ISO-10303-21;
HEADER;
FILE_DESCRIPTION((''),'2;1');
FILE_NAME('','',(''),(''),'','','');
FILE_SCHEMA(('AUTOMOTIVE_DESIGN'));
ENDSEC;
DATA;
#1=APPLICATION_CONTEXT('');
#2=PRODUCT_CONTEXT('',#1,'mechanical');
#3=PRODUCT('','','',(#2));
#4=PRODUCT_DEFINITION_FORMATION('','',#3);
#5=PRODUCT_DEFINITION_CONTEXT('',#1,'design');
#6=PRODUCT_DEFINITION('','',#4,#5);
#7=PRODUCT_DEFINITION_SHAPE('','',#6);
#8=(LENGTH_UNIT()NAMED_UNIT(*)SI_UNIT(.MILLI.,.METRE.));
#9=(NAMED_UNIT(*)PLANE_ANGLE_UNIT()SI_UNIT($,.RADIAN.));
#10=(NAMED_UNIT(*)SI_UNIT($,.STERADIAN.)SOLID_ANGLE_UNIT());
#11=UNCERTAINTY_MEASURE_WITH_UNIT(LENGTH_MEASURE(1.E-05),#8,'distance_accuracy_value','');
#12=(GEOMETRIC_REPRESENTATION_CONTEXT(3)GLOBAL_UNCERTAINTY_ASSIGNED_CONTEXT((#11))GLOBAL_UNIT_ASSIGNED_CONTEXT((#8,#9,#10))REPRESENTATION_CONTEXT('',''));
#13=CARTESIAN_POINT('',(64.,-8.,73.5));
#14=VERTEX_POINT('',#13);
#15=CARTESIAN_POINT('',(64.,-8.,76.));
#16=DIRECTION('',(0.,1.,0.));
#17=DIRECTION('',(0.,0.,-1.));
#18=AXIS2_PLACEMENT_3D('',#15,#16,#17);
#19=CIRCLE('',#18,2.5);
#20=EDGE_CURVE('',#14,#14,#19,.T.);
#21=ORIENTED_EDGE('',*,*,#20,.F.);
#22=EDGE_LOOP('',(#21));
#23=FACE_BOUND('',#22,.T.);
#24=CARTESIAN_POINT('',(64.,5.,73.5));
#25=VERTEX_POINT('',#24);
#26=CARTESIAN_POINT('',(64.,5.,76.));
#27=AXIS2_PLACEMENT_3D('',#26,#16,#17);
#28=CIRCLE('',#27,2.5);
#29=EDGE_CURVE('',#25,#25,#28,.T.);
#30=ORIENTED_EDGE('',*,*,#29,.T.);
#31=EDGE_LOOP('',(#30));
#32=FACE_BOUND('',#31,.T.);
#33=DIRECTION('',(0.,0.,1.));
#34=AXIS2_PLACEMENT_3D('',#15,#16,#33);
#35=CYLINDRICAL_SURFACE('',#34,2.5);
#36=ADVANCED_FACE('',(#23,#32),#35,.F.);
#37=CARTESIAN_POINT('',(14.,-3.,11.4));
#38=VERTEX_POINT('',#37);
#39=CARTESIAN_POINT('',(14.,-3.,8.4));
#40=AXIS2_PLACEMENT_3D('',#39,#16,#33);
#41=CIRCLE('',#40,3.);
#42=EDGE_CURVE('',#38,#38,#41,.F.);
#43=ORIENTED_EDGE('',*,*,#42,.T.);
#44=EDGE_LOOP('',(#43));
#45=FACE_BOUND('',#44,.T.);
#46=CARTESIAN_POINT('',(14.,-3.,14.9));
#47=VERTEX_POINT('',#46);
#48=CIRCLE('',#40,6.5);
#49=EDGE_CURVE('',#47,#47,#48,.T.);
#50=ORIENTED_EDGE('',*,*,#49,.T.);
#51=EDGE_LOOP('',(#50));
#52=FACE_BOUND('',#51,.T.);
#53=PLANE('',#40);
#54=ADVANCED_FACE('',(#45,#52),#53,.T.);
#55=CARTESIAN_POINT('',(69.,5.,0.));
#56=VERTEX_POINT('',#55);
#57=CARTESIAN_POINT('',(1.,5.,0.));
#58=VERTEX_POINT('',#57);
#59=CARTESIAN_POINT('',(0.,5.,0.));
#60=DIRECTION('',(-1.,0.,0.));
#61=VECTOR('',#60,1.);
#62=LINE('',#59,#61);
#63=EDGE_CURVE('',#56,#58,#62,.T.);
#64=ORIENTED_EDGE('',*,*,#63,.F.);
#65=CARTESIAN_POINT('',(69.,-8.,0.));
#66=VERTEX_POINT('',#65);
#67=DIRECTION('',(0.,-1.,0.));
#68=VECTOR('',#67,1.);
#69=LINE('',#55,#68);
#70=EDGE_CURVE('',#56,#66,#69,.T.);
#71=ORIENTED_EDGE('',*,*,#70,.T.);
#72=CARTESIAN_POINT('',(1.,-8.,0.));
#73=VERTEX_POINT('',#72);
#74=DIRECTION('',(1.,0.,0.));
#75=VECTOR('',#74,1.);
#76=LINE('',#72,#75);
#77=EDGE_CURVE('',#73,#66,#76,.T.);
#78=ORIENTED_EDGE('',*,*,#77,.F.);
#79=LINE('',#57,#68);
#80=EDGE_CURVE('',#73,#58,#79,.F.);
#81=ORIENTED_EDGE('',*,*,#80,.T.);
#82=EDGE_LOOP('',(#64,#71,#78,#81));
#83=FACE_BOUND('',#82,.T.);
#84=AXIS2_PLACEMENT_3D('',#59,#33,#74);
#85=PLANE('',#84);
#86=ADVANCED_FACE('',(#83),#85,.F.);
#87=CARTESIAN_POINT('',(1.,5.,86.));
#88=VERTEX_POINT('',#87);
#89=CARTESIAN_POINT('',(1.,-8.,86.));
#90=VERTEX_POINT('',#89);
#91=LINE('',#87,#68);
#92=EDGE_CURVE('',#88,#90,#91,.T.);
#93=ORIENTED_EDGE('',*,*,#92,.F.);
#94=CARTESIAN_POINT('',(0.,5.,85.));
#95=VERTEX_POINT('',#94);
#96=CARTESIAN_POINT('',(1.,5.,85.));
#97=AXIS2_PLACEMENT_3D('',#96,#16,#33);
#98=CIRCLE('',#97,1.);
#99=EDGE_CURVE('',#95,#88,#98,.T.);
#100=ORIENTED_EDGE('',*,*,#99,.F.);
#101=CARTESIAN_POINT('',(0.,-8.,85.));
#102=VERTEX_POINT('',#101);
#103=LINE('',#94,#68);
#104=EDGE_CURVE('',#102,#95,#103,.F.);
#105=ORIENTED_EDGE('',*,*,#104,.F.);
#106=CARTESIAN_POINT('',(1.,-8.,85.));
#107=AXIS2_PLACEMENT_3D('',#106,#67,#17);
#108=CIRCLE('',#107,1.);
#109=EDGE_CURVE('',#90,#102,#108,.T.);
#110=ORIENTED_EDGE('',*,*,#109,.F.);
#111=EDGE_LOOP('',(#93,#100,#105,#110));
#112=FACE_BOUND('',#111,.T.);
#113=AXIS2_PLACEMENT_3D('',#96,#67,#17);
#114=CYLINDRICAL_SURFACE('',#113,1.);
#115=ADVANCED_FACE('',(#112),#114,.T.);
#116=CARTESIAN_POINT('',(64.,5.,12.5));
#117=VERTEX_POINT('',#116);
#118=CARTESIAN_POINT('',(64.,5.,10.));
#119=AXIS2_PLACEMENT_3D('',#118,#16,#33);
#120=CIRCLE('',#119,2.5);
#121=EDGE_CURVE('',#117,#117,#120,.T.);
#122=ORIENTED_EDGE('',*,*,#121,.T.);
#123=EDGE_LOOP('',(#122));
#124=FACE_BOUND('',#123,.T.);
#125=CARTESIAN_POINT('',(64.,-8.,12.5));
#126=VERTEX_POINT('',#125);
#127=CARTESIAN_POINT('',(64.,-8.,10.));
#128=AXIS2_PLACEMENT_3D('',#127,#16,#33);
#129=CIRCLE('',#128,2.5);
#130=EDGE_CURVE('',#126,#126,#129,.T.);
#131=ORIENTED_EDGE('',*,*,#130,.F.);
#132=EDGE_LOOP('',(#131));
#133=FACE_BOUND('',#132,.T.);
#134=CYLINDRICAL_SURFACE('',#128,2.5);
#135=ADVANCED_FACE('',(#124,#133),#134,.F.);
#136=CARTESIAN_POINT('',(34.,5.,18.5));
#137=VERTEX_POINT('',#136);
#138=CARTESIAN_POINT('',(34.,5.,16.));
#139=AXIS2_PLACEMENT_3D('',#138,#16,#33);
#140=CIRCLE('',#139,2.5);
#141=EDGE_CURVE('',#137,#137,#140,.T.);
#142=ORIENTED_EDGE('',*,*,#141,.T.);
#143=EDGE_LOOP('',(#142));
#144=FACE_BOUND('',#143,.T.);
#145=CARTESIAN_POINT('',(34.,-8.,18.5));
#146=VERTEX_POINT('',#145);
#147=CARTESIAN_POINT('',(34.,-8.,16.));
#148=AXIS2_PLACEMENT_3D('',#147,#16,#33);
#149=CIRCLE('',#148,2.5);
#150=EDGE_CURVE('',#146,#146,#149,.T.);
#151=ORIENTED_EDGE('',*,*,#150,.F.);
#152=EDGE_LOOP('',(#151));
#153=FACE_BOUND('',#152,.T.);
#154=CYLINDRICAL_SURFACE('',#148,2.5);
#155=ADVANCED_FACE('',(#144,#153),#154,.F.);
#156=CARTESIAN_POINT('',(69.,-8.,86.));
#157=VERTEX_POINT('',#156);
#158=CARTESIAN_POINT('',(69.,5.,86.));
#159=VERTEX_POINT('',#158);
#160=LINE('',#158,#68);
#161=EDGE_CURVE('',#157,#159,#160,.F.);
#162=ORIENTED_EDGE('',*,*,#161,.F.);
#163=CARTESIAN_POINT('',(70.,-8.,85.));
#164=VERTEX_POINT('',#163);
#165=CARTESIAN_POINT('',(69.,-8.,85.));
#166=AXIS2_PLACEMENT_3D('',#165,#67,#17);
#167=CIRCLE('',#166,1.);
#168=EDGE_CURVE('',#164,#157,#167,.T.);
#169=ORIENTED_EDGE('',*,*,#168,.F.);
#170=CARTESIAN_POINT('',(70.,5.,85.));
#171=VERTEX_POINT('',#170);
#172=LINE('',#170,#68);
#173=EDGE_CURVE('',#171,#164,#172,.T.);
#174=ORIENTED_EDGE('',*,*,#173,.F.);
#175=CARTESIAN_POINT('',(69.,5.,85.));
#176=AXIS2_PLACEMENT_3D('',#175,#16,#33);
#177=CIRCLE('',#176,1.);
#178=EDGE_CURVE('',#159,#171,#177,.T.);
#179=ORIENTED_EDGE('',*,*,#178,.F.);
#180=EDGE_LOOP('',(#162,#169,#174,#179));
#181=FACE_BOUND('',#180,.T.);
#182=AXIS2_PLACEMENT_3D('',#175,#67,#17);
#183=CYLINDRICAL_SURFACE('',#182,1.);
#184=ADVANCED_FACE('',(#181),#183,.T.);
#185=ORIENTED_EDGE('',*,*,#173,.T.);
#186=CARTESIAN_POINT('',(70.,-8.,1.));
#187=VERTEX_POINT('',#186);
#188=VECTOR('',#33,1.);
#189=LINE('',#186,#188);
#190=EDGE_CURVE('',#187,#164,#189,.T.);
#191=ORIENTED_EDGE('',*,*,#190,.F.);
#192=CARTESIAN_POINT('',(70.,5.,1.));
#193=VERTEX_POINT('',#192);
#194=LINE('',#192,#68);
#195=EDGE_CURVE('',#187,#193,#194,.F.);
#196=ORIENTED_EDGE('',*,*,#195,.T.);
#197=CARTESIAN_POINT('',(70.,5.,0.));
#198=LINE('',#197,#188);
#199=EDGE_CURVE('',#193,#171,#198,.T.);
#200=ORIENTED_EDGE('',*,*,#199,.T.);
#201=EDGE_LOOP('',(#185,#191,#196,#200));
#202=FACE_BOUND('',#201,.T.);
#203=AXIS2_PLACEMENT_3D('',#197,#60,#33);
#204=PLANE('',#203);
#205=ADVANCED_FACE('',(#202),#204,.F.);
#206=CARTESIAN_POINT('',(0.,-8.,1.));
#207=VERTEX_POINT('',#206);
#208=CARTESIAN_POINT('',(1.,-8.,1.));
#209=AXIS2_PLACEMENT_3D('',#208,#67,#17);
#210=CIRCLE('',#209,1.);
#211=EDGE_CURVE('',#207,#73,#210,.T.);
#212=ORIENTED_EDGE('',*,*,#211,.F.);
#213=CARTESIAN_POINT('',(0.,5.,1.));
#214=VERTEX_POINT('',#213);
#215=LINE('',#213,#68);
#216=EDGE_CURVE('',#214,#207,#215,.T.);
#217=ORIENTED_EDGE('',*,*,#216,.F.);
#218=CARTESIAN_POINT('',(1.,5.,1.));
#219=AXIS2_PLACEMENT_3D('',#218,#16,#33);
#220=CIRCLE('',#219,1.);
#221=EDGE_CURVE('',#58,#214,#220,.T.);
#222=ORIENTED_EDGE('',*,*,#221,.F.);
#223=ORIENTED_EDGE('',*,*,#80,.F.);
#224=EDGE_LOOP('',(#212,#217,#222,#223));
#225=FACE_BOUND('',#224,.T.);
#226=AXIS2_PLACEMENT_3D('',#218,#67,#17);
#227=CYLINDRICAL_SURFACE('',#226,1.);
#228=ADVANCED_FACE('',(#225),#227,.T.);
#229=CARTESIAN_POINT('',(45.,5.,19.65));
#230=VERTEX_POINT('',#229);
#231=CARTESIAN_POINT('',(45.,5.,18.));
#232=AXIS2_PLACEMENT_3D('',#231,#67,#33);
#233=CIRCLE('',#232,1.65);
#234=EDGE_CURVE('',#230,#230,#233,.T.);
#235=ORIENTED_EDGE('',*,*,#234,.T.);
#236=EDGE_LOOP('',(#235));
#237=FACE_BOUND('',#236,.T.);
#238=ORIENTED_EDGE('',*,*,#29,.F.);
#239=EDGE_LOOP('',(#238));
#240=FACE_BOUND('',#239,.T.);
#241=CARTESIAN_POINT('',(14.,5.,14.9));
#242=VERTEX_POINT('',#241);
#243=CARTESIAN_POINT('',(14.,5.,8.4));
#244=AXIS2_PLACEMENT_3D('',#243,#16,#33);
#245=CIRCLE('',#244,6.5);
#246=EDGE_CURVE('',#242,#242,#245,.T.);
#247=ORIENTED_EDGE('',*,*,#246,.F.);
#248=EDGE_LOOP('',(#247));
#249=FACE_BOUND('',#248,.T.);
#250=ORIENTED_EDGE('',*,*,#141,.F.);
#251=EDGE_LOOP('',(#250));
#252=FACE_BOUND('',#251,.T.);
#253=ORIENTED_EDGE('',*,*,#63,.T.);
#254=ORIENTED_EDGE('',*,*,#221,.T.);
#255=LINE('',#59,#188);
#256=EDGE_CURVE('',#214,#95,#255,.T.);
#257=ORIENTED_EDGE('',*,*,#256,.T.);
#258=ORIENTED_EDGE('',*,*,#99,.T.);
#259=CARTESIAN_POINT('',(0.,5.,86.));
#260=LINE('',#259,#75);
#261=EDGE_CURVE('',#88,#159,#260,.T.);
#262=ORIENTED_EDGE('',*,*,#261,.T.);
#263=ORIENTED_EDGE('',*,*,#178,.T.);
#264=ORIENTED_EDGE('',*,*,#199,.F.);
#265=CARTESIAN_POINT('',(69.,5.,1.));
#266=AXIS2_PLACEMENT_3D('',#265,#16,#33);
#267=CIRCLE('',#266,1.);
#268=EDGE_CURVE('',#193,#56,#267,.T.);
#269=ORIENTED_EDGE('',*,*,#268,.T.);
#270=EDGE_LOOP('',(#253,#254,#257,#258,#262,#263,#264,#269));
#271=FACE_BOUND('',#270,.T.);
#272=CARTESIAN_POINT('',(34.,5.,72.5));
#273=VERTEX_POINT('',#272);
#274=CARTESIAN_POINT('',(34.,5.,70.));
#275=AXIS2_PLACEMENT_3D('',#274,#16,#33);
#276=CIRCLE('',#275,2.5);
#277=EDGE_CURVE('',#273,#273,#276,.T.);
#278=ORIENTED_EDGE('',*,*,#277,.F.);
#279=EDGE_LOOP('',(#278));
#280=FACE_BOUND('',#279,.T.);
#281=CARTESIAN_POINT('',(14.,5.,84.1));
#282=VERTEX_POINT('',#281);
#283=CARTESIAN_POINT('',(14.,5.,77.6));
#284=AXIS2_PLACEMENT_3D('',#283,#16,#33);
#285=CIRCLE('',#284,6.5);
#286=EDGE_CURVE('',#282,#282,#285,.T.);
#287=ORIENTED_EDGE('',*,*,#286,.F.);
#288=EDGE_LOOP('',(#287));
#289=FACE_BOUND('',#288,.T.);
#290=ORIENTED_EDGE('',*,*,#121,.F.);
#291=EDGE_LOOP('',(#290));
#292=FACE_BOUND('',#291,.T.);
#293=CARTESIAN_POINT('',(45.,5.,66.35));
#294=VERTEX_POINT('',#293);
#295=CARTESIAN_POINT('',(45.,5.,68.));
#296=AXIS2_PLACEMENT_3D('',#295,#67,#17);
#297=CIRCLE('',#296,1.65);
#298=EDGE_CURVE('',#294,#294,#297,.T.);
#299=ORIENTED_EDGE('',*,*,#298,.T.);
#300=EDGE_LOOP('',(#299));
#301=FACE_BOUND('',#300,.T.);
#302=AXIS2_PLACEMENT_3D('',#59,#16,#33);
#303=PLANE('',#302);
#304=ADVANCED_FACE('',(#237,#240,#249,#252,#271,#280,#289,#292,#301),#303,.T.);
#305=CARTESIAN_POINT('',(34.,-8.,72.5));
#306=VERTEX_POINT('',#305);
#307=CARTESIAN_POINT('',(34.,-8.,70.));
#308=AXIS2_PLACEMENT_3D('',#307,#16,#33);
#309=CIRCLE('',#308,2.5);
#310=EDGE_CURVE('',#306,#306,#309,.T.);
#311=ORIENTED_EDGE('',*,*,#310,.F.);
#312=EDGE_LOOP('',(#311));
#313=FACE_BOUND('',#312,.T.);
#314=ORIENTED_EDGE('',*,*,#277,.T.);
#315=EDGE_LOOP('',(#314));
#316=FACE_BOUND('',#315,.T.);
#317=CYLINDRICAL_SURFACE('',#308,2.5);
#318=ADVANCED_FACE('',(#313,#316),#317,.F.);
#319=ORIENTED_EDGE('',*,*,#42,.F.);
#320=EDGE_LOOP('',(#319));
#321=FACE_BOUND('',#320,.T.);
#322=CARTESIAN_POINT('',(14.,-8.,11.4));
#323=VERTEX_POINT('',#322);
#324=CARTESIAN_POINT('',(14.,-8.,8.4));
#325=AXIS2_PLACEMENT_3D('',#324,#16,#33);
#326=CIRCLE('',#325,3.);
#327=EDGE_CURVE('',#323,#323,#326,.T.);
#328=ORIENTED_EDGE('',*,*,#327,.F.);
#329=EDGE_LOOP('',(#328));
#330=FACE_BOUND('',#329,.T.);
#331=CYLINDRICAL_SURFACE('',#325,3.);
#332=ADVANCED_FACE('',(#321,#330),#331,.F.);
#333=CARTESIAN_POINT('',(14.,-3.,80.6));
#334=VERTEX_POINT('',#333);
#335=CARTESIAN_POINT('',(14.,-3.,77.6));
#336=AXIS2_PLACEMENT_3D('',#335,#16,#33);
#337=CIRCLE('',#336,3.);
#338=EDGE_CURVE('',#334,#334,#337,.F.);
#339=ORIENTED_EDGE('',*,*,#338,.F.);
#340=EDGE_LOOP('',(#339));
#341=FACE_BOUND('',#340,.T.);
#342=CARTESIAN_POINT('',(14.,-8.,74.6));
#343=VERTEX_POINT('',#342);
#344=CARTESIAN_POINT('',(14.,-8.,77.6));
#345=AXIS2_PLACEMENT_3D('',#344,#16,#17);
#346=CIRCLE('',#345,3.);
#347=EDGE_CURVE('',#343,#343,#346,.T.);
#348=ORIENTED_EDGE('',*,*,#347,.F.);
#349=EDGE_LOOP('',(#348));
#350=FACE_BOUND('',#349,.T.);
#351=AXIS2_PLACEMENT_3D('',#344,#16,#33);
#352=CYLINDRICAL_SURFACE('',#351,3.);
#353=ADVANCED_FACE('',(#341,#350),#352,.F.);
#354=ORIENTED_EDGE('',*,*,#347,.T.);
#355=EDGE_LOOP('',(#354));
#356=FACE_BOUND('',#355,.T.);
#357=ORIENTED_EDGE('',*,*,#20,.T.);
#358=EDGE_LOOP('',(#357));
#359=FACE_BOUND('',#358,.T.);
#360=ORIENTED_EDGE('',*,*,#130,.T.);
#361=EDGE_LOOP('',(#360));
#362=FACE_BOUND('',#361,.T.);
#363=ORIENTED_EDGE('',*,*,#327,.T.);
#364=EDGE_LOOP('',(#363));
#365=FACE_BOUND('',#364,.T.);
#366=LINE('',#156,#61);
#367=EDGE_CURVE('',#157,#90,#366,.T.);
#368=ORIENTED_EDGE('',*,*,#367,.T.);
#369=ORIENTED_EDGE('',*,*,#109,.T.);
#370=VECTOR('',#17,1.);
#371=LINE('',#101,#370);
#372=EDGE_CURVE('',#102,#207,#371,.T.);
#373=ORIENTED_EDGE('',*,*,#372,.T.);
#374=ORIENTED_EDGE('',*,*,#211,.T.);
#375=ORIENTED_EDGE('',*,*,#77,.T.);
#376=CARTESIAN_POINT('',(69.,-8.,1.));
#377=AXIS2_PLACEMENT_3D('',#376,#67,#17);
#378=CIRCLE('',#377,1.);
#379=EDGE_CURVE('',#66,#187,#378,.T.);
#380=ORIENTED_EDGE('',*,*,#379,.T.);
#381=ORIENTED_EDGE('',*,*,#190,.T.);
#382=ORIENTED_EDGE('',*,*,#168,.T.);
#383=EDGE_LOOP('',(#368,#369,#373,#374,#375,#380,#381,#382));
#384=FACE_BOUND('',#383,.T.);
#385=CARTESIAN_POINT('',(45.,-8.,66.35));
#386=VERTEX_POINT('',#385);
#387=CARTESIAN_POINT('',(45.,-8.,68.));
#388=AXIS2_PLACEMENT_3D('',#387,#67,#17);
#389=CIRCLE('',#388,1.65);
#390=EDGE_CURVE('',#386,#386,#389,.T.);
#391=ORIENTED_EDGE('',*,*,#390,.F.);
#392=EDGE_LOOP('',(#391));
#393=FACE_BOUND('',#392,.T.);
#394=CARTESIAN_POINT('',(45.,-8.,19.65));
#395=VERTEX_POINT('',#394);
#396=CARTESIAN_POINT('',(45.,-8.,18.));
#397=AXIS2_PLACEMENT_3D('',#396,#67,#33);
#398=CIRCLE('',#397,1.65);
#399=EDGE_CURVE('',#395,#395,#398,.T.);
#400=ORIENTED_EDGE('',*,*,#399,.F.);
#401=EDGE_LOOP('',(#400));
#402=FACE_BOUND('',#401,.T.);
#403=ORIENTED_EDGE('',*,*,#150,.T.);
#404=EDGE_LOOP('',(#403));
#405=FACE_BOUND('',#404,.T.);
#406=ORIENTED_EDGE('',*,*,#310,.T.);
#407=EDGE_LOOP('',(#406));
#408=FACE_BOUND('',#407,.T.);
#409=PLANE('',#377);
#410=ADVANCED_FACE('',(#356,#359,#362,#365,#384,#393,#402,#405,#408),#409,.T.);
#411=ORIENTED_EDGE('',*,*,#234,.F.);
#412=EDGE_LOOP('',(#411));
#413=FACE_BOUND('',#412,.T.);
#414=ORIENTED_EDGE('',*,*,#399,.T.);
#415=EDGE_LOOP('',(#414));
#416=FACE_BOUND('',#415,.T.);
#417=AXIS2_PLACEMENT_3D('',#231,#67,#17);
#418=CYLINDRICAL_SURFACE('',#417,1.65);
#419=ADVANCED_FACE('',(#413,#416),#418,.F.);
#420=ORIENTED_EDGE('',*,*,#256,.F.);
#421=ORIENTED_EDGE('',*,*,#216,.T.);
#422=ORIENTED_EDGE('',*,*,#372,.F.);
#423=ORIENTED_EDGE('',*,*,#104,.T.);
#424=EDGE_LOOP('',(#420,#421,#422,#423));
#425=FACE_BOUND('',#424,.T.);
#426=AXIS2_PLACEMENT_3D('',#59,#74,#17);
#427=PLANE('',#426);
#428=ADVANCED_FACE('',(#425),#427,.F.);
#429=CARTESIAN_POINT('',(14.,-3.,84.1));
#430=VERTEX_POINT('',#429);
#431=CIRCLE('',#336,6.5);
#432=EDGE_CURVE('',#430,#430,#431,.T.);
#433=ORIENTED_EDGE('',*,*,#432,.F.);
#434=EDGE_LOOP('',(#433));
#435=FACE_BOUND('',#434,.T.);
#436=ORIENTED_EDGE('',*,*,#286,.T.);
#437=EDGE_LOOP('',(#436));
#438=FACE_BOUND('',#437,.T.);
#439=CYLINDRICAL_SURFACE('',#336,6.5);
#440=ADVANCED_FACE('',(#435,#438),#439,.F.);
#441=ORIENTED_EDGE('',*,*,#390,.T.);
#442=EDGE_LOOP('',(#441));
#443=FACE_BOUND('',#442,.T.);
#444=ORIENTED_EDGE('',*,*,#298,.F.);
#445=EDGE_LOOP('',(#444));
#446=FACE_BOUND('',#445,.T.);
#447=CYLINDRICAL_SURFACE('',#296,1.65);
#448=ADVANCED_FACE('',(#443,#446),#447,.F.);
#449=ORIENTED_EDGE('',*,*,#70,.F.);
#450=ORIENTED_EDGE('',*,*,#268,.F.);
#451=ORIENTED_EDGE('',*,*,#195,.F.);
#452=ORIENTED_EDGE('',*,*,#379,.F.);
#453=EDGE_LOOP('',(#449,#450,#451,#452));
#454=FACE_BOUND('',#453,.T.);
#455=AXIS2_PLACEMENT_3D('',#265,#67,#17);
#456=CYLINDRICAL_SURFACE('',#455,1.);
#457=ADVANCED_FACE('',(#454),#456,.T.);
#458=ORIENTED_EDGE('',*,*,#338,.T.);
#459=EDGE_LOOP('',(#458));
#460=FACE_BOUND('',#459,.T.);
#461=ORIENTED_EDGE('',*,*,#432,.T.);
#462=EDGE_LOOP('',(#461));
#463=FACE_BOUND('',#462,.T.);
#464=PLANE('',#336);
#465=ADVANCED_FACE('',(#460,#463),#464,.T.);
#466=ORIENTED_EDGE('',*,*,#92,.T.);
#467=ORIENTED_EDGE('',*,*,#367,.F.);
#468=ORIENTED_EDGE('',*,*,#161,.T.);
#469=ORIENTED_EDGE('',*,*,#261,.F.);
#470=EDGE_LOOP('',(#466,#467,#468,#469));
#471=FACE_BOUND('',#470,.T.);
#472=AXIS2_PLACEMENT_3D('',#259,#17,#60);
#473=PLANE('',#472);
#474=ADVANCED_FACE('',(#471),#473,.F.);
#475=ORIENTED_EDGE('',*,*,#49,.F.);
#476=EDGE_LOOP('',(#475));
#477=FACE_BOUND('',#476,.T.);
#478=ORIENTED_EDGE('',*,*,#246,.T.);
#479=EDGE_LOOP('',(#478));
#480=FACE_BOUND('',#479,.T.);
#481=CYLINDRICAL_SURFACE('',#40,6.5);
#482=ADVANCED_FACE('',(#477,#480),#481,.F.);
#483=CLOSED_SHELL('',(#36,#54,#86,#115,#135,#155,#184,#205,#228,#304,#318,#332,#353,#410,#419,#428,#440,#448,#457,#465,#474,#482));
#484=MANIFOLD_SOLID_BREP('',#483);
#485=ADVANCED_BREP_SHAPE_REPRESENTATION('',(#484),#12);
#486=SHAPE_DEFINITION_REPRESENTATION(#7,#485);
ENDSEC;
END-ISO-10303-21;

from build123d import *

# Parameters (mm, degrees)
SKETCH1_W               = 70
SKETCH1_H               = 86
BOSS_EXTRUDE1_DEPTH     = 5
SKETCH2_W               = 12
SKETCH2_H               = 86
BOSS_EXTRUDE2_DEPTH     = 87
SKETCH4_R               = 38
CUT_EXTRUDE2_DEPTH      = 3
SKETCH5_R               = 2.6
CUT_EXTRUDE3_DEPTH      = 13
FILLET1_R               = 3
SKETCH6_R               = 20
CUT_EXTRUDE4_DEPTH      = 13
SKETCH7_W               = 12
SKETCH7_H               = 87
CUT_EXTRUDE5_DEPTH      = 87
FILLET2_R               = 1
BOSS_EXTRUDE4_DEPTH     = 8
SKETCH3_R               = 3
CUT_EXTRUDE1_DEPTH      = 14
SKETCH8_R               = 1.65
CUT_EXTRUDE6_DEPTH      = 9
CUT_EXTRUDE6_DEPTH_BACK = 6
SKETCH9_R               = 2.5
CUT_EXTRUDE7_DEPTH      = 14
SKETCH14_R              = 6.5
CUT_EXTRUDE8_DEPTH      = 8


with BuildPart() as part:
    # Sketch1 → Boss-Extrude1 (new body)
    with BuildSketch(Plane(origin=(0, 0, 0), x_dir=(1, 0, 0), z_dir=(0, 1, 0))):
        with Locations((35, -43)):
            Rectangle(SKETCH1_W, SKETCH1_H)
    extrude(amount=BOSS_EXTRUDE1_DEPTH)

    # Sketch2 → Boss-Extrude2 (add)
    with BuildSketch(Plane(origin=(0, 5, 0), x_dir=(1, 0, 0), z_dir=(0, 1, 0))):
        with Locations((64, -43)):
            Rectangle(SKETCH2_W, SKETCH2_H)
    extrude(amount=BOSS_EXTRUDE2_DEPTH)

    # Sketch4 → Cut-Extrude2 (cut)
    with BuildSketch(Plane.ZY.offset(-58)):
        with Locations((43, 56)):
            Circle(SKETCH4_R)
    extrude(amount=-CUT_EXTRUDE2_DEPTH, mode=Mode.SUBTRACT)

    # Sketch5 → Cut-Extrude3 (cut, through all)
    with BuildSketch(Plane.ZY.offset(-58)):
        with Locations((77.8, 90.8)):
            Circle(SKETCH5_R)
        with Locations((77.8, 21.2)):
            Circle(SKETCH5_R)
        with Locations((8.2, 90.8)):
            Circle(SKETCH5_R)
        with Locations((8.2, 21.2)):
            Circle(SKETCH5_R)
    extrude(amount=-CUT_EXTRUDE3_DEPTH, mode=Mode.SUBTRACT)

    # Fillet1
    fillet1_edges = [part.edges().sort_by_distance(p)[0] for p in [
        (64, 92, 0),
        (64, 92, 86),
    ]]
    fillet(fillet1_edges, radius=FILLET1_R)

    # Sketch6 → Cut-Extrude4 (cut, through all)
    with BuildSketch(Plane.ZY.offset(-58)):
        with Locations((43, 56)):
            Circle(SKETCH6_R)
    extrude(amount=-CUT_EXTRUDE4_DEPTH, mode=Mode.SUBTRACT)

    # Sketch7 → Cut-Extrude5 (cut, through all)
    with BuildSketch(Plane.XY.offset(86)):
        with Locations((64, 48.5)):
            Rectangle(SKETCH7_W, SKETCH7_H)
    extrude(amount=-CUT_EXTRUDE5_DEPTH, mode=Mode.SUBTRACT)

    # Fillet2
    fillet2_edges = [part.edges().sort_by_distance(p)[0] for p in [
        (0, 2.5, 0),
        (0, 2.5, 86),
        (70, 2.5, 0),
        (70, 2.5, 86),
    ]]
    fillet(fillet2_edges, radius=FILLET2_R)

    # Sketch12 → Boss-Extrude4 (add)
    with BuildSketch(Plane.XZ):
        with BuildLine():
            Line((70, 1), (70, 85))
            ThreePointArc((70, 85), (69.707106781, 85.707106781), (69, 86))
            Line((69, 86), (1, 86))
            ThreePointArc((1, 86), (0.292893219, 85.707106781), (0, 85))
            Line((0, 85), (0, 1))
            ThreePointArc((0, 1), (0.292893219, 0.292893219), (1, 0))
            Line((1, 0), (69, 0))
            ThreePointArc((69, 0), (69.707106781, 0.292893219), (70, 1))
        make_face()
    extrude(amount=BOSS_EXTRUDE4_DEPTH)

    # Sketch3 → Cut-Extrude1 (cut, through all)
    with BuildSketch(Plane(origin=(0, 5, 0), x_dir=(1, 0, 0), z_dir=(0, 1, 0))):
        with Locations((14, -8.4)):
            Circle(SKETCH3_R)
        with Locations((14, -77.6)):
            Circle(SKETCH3_R)
    extrude(amount=-CUT_EXTRUDE1_DEPTH, mode=Mode.SUBTRACT)

    # Sketch8 → Cut-Extrude6 (cut, two sides)
    with BuildSketch(Plane.XZ) as cut_extrude6_sk:
        with Locations((45, 68)):
            Circle(SKETCH8_R)
        with Locations((45, 18)):
            Circle(SKETCH8_R)
    extrude(amount=CUT_EXTRUDE6_DEPTH, mode=Mode.SUBTRACT)
    extrude(cut_extrude6_sk.sketch, amount=-CUT_EXTRUDE6_DEPTH_BACK, mode=Mode.SUBTRACT)

    # Sketch9 → Cut-Extrude7 (cut, through all)
    with BuildSketch(Plane(origin=(0, 5, 0), x_dir=(1, 0, 0), z_dir=(0, 1, 0))):
        with Locations((64, -10)):
            Circle(SKETCH9_R)
        with Locations((64, -76)):
            Circle(SKETCH9_R)
        with Locations((34, -70)):
            Circle(SKETCH9_R)
        with Locations((34, -16)):
            Circle(SKETCH9_R)
    extrude(amount=-CUT_EXTRUDE7_DEPTH, mode=Mode.SUBTRACT)

    # Sketch14 → Cut-Extrude8 (cut)
    with BuildSketch(Plane(origin=(0, 5, 0), x_dir=(1, 0, 0), z_dir=(0, 1, 0))):
        with Locations((14, -8.4)):
            Circle(SKETCH14_R)
        with Locations((14, -77.6)):
            Circle(SKETCH14_R)
    extrude(amount=-CUT_EXTRUDE8_DEPTH, mode=Mode.SUBTRACT)


solid = part.part
